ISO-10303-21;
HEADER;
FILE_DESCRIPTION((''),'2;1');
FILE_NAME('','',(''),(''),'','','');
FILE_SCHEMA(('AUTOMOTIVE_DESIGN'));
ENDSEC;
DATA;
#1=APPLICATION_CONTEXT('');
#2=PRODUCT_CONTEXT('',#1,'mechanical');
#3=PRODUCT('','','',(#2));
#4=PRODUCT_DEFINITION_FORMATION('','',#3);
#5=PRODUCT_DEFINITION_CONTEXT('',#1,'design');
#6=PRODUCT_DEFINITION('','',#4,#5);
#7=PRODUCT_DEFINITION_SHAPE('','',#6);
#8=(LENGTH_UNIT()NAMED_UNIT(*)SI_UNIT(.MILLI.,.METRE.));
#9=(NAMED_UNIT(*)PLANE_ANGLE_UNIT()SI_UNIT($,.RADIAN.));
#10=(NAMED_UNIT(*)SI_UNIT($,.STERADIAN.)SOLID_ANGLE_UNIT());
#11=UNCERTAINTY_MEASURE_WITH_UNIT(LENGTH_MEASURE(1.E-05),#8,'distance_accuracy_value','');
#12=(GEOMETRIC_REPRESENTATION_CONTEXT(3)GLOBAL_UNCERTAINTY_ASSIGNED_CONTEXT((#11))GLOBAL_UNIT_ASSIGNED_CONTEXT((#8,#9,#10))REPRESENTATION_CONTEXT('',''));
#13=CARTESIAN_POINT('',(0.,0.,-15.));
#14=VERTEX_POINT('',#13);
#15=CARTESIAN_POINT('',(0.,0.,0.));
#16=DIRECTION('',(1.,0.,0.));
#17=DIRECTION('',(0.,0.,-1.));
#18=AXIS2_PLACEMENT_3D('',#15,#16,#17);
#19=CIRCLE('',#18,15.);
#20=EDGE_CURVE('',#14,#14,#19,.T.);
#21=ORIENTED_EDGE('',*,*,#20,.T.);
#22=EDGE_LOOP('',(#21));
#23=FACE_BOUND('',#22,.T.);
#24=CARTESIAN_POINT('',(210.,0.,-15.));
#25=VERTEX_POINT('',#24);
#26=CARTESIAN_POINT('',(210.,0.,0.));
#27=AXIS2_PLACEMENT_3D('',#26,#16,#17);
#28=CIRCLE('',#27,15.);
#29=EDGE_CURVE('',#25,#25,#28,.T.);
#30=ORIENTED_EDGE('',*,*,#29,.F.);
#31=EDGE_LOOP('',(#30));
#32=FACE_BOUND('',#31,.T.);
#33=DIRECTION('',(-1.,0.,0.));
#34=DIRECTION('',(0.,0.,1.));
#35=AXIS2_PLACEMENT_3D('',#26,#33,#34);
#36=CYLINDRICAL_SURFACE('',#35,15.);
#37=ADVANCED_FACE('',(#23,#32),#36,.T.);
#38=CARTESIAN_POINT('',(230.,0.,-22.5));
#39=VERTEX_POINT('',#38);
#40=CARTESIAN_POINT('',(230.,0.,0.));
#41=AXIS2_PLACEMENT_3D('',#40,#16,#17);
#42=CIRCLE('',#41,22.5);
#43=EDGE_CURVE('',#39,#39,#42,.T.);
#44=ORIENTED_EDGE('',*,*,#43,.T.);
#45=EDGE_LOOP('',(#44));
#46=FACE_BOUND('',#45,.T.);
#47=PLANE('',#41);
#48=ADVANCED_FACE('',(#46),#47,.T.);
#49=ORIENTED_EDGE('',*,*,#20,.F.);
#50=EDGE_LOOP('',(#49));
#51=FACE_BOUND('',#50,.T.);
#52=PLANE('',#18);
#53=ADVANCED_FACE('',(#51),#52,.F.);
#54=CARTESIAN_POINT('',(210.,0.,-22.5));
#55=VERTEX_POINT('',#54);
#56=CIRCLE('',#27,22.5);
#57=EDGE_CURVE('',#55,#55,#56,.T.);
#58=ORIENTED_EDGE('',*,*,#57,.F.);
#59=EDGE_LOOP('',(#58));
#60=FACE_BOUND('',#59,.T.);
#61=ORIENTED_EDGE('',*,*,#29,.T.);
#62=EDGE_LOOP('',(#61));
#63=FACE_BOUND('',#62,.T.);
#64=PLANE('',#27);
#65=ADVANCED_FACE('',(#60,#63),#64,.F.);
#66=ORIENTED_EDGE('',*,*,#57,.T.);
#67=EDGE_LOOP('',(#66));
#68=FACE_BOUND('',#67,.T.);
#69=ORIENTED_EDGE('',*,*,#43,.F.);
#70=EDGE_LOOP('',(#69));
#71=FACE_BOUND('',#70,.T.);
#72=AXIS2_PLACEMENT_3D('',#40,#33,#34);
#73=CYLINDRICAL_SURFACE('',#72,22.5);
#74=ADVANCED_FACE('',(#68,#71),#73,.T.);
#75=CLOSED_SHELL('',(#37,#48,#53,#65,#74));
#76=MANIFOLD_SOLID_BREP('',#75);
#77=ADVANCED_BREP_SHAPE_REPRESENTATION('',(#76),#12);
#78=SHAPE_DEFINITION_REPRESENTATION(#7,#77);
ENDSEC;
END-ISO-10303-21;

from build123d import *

# Parameters (mm, degrees)
SKETCH2_R           = 15
BOSS_EXTRUDE1_DEPTH = 210
SKETCH3_R           = 22.5
BOSS_EXTRUDE2_DEPTH = 20


with BuildPart() as part:
    # Sketch2 → Boss-Extrude1 (new body)
    with BuildSketch(Plane(origin=(0, 0, 0), x_dir=(0, 0, -1), z_dir=(1, 0, 0))):
        Circle(SKETCH2_R)
    extrude(amount=BOSS_EXTRUDE1_DEPTH)

    # Sketch3 → Boss-Extrude2 (add)
    with BuildSketch(Plane(origin=(210, 0, 0), x_dir=(0, 0, -1), z_dir=(1, 0, 0))):
        Circle(SKETCH3_R)
    extrude(amount=BOSS_EXTRUDE2_DEPTH)


solid = part.part
